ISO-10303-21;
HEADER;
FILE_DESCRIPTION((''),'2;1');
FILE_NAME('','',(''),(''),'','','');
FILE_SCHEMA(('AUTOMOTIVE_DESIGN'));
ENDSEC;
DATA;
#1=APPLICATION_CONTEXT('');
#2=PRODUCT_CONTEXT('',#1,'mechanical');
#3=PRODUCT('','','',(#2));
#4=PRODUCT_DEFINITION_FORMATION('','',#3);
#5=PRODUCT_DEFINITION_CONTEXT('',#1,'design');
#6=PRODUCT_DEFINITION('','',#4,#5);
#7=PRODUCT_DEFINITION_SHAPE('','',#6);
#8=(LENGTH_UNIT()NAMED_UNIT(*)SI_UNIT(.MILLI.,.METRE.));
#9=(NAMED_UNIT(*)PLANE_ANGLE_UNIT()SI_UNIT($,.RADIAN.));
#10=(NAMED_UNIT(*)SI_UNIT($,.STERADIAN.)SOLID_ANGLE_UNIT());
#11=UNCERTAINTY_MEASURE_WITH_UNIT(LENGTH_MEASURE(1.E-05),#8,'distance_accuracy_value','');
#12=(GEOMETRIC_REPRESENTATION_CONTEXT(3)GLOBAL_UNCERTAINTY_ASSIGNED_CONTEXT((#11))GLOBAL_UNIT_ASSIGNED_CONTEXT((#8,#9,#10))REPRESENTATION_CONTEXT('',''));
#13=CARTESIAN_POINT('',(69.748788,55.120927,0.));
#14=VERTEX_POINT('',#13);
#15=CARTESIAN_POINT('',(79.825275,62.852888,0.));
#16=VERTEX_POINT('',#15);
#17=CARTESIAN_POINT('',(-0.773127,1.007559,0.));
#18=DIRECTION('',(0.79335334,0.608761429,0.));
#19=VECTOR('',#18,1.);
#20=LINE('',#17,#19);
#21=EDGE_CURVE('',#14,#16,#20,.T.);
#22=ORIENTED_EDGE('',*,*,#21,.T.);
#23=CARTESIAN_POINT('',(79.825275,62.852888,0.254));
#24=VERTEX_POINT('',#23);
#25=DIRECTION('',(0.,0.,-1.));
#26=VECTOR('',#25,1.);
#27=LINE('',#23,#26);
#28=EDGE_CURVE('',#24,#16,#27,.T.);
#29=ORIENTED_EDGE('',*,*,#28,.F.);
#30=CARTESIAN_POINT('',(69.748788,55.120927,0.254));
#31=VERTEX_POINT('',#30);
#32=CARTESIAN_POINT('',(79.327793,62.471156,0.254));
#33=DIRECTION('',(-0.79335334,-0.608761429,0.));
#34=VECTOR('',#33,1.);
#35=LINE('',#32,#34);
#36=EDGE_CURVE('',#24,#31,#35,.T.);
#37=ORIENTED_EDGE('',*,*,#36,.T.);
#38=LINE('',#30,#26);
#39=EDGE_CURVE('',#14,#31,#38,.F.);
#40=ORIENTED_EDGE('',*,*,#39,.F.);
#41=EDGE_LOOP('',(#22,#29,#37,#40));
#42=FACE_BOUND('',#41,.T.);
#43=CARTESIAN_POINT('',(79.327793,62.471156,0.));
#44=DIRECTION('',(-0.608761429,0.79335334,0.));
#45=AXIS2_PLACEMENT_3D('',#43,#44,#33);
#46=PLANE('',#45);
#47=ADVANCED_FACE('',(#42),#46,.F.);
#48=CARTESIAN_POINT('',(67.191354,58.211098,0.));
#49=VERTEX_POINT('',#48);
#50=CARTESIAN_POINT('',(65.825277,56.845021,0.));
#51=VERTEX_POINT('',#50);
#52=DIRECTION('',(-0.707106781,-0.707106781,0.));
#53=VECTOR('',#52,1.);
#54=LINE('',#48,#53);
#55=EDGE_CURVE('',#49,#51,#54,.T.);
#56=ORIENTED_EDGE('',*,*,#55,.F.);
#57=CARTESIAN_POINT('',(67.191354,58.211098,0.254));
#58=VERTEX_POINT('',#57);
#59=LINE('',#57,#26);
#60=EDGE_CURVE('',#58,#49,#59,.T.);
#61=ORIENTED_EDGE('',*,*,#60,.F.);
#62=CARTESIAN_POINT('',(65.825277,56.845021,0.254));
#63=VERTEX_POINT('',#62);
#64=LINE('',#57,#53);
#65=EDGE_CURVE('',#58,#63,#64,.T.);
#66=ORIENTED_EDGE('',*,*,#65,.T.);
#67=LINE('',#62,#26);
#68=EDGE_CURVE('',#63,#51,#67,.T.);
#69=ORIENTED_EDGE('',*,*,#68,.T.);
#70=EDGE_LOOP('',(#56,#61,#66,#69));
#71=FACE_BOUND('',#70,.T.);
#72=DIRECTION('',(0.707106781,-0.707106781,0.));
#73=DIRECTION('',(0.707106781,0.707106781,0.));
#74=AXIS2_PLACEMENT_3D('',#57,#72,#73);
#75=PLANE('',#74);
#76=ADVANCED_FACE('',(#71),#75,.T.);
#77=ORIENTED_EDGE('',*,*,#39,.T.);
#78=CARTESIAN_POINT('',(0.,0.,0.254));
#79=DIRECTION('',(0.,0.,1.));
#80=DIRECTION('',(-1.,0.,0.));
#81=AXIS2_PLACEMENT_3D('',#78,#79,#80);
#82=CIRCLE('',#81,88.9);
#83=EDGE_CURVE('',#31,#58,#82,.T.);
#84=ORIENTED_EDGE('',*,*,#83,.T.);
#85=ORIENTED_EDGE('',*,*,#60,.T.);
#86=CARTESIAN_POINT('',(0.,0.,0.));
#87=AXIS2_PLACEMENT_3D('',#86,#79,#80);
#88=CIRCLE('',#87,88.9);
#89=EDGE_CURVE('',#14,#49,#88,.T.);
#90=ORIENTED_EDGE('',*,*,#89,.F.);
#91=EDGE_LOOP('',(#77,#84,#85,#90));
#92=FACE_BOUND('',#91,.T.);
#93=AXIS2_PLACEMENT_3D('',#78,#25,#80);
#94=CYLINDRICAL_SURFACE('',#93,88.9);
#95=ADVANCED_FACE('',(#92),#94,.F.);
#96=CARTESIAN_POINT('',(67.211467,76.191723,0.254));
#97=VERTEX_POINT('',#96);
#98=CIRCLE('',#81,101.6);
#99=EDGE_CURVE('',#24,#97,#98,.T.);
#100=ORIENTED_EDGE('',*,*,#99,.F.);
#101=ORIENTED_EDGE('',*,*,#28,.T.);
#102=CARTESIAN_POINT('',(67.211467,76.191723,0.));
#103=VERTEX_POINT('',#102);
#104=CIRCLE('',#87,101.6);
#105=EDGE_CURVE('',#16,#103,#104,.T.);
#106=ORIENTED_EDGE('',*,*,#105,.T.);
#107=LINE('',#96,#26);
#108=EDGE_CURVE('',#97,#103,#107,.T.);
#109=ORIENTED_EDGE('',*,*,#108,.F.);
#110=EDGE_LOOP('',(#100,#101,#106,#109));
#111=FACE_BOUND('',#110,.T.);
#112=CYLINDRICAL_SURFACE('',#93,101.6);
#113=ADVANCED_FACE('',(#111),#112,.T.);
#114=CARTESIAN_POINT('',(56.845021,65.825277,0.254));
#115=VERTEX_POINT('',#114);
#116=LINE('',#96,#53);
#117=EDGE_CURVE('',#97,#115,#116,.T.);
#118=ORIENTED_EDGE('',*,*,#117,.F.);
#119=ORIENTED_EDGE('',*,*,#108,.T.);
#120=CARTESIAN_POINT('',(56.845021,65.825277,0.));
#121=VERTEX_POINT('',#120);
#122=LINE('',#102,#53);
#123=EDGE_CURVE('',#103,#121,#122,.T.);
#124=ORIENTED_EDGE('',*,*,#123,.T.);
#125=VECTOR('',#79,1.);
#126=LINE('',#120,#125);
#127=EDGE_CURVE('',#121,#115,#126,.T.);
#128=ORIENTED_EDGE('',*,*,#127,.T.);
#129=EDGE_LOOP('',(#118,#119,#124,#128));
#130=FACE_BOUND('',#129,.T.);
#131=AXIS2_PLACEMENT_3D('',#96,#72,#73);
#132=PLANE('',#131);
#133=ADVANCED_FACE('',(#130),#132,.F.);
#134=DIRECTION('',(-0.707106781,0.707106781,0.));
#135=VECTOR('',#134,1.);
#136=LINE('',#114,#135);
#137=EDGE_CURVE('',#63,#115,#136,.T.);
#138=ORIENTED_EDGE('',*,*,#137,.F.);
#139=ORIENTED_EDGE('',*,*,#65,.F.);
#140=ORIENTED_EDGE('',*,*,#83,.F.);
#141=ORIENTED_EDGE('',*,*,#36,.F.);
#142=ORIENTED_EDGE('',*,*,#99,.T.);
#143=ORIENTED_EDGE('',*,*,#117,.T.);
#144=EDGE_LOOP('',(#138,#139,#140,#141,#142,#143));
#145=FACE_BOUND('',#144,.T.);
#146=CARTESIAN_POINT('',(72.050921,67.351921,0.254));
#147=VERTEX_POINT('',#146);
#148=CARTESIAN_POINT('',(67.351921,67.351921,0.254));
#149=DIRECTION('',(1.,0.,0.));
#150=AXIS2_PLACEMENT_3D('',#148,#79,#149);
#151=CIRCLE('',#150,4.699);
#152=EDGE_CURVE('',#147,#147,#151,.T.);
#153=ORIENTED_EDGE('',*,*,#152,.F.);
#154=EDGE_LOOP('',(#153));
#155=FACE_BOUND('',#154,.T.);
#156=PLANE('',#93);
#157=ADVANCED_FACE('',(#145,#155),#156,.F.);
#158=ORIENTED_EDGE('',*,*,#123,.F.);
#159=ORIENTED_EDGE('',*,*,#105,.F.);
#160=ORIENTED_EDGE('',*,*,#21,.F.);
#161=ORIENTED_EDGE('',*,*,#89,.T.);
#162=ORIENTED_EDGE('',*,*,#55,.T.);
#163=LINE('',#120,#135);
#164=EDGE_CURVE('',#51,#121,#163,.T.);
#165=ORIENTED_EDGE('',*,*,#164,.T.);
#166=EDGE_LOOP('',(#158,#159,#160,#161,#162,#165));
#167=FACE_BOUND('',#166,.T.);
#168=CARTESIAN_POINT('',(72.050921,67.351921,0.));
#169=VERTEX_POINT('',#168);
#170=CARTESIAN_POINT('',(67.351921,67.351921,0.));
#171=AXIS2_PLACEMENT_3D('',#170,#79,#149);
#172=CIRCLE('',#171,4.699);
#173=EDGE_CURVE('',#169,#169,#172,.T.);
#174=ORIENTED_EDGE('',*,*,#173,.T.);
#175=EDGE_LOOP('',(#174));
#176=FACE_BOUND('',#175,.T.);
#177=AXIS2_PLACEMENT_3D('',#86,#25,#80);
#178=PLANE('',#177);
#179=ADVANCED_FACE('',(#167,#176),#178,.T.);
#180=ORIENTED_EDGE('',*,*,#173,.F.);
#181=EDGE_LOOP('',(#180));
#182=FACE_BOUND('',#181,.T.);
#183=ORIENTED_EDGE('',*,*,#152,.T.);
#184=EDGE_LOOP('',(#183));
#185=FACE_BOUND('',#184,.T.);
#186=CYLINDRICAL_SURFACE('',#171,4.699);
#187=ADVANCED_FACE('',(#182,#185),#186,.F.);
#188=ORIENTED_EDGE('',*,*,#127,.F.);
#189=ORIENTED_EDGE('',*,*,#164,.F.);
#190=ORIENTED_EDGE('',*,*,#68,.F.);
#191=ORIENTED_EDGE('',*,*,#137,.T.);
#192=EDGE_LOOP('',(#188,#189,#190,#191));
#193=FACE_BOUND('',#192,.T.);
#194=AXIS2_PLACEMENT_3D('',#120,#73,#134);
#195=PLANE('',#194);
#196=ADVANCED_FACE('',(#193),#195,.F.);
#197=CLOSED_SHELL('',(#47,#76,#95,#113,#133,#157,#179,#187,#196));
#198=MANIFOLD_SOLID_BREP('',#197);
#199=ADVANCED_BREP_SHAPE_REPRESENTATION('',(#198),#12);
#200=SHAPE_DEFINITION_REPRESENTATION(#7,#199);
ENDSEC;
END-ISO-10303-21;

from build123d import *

# Parameters (mm, degrees)
BOSS_EXTRUDE1_DEPTH = 0.254
SKETCH2_R           = 4.699
CUT_EXTRUDE1_DEPTH  = 1.254
SKETCH3_W           = 2.54
SKETCH3_H           = 0.635
CUT_EXTRUDE2_DEPTH  = 1.254
SKETCH5_OUTSIDE_W   = 121.447
SKETCH5_OUTSIDE_H   = 109.618
CUT_EXTRUDE5_DEPTH  = 1.254


with BuildPart() as part:
    # Sketch1 → Boss-Extrude1 (new body)
    with BuildSketch(Plane.XY):
        with BuildLine():
            Line((67.21146711, 76.191723231), (8.696654013, 17.676910134))
            Line((8.696654013, 17.676910134), (7.228954972, 14.133571205))
            ThreePointArc((7.228954972, 14.133571205), (14.666587579, 6.075099489), (15.105587123, -4.88230096))
            Line((15.105587123, -4.88230096), (18.648926052, -6.35))
            Line((18.648926052, -6.35), (101.401368334, -6.35))
            ThreePointArc((101.401368334, -6.35), (93.866160503, 38.880636728), (67.21146711, 76.191723231))
        make_face()
        with BuildLine():
            Line((88.672924278, 6.35), (27.86051193, 6.35))
            ThreePointArc((27.86051193, 6.35), (26.399857642, 10.93517908), (24.190484974, 15.210228852))
            Line((24.190484974, 15.210228852), (67.191354125, 58.211098004))
            ThreePointArc((67.191354125, 58.211098004), (82.13289044, 34.020557137), (88.672924278, 6.35))
        make_face(mode=Mode.SUBTRACT)
    extrude(amount=BOSS_EXTRUDE1_DEPTH)

    # Sketch2 → Cut-Extrude1 (cut, through all)
    with BuildSketch(Plane.XY.offset(0.254)):
        with Locations((22.225, 0)):
            Circle(SKETCH2_R)
        with Locations((36.195, 0)):
            Circle(SKETCH2_R)
        with Locations((61.722, 0)):
            Circle(SKETCH2_R)
        with Locations((75.692, 0)):
            Circle(SKETCH2_R)
        with Locations((95.25, 0)):
            Circle(SKETCH2_R)
        with Locations((15.715448212, 15.715448212)):
            Circle(SKETCH2_R)
        with Locations((25.593729945, 25.593729945)):
            Circle(SKETCH2_R)
        with Locations((43.644044748, 43.644044748)):
            Circle(SKETCH2_R)
        with Locations((53.522326482, 53.522326482)):
            Circle(SKETCH2_R)
        with Locations((92.004434954, 24.652514046)):
            Circle(SKETCH2_R)
        with Locations((82.48891971, 47.625)):
            Circle(SKETCH2_R)
        with Locations((67.351920908, 67.351920908)):
            Circle(SKETCH2_R)
    extrude(amount=-CUT_EXTRUDE1_DEPTH, mode=Mode.SUBTRACT)

    # Sketch3 → Cut-Extrude2 (cut, through all)
    with BuildSketch(Plane.XY.offset(0.254)):
        Polygon((15.266435406, 24.246691527), (17.06248663, 26.042742751), (17.511499436, 25.593729945), (15.715448212, 23.797678721), align=None)
        Polygon((44.991083167, 53.971339288), (43.195031942, 52.175288063), (43.644044748, 51.726275257), (45.440095973, 53.522326482), align=None)
        with Locations((29.21, -6.0325)):
            Rectangle(SKETCH3_W, SKETCH3_H)
        with Locations((68.707, -6.0325)):
            Rectangle(SKETCH3_W, SKETCH3_H)
        Polygon((29.230733674, 38.210989795), (31.026784898, 40.007041019), (31.475797704, 39.558028213), (29.67974648, 37.761976989), align=None)
        Polygon((56.845021246, 65.825277367), (55.048970022, 64.029226143), (55.497982828, 63.580213337), (57.294034052, 65.376264561), align=None)
        with Locations((48.9585, -6.0325)):
            Rectangle(SKETCH3_W, SKETCH3_H)
        with Locations((85.471, -6.0325)):
            Rectangle(SKETCH3_W, SKETCH3_H)
        Polygon((99.935462164, 14.437711971), (100.266998693, 11.919442024), (101.526133667, 12.085210288), (101.194597138, 14.603480236), align=None)
        Polygon((93.765504959, 37.464305742), (94.938831965, 37.950313702), (93.966816047, 40.296967714), (92.793489041, 39.810959755), align=None)
        Polygon((79.327792988, 62.471156422), (80.874047017, 60.456038938), (81.88160576, 61.229165953), (80.33535173, 63.244283437), align=None)
        Polygon((13.593916116, 7.005422516), (14.565932035, 4.658768503), (15.739259041, 5.144776462), (14.767243123, 7.491430475), align=None)
    extrude(amount=-CUT_EXTRUDE2_DEPTH, mode=Mode.SUBTRACT)

    # Sketch5 outside → Cut-Extrude5 (cut, through all)
    with BuildSketch(Plane.XY.offset(0.254)):
        with Locations((54.4145, 34.921)):
            Rectangle(SKETCH5_OUTSIDE_W, SKETCH5_OUTSIDE_H)
        Polygon((55.946995634, 66.72330298), (68.504300263, 54.16599835), (81.410712434, 64.069436727), (67.351920908, 78.128228253), align=None, mode=Mode.SUBTRACT)
    extrude(amount=-CUT_EXTRUDE5_DEPTH, mode=Mode.SUBTRACT)


solid = part.part
